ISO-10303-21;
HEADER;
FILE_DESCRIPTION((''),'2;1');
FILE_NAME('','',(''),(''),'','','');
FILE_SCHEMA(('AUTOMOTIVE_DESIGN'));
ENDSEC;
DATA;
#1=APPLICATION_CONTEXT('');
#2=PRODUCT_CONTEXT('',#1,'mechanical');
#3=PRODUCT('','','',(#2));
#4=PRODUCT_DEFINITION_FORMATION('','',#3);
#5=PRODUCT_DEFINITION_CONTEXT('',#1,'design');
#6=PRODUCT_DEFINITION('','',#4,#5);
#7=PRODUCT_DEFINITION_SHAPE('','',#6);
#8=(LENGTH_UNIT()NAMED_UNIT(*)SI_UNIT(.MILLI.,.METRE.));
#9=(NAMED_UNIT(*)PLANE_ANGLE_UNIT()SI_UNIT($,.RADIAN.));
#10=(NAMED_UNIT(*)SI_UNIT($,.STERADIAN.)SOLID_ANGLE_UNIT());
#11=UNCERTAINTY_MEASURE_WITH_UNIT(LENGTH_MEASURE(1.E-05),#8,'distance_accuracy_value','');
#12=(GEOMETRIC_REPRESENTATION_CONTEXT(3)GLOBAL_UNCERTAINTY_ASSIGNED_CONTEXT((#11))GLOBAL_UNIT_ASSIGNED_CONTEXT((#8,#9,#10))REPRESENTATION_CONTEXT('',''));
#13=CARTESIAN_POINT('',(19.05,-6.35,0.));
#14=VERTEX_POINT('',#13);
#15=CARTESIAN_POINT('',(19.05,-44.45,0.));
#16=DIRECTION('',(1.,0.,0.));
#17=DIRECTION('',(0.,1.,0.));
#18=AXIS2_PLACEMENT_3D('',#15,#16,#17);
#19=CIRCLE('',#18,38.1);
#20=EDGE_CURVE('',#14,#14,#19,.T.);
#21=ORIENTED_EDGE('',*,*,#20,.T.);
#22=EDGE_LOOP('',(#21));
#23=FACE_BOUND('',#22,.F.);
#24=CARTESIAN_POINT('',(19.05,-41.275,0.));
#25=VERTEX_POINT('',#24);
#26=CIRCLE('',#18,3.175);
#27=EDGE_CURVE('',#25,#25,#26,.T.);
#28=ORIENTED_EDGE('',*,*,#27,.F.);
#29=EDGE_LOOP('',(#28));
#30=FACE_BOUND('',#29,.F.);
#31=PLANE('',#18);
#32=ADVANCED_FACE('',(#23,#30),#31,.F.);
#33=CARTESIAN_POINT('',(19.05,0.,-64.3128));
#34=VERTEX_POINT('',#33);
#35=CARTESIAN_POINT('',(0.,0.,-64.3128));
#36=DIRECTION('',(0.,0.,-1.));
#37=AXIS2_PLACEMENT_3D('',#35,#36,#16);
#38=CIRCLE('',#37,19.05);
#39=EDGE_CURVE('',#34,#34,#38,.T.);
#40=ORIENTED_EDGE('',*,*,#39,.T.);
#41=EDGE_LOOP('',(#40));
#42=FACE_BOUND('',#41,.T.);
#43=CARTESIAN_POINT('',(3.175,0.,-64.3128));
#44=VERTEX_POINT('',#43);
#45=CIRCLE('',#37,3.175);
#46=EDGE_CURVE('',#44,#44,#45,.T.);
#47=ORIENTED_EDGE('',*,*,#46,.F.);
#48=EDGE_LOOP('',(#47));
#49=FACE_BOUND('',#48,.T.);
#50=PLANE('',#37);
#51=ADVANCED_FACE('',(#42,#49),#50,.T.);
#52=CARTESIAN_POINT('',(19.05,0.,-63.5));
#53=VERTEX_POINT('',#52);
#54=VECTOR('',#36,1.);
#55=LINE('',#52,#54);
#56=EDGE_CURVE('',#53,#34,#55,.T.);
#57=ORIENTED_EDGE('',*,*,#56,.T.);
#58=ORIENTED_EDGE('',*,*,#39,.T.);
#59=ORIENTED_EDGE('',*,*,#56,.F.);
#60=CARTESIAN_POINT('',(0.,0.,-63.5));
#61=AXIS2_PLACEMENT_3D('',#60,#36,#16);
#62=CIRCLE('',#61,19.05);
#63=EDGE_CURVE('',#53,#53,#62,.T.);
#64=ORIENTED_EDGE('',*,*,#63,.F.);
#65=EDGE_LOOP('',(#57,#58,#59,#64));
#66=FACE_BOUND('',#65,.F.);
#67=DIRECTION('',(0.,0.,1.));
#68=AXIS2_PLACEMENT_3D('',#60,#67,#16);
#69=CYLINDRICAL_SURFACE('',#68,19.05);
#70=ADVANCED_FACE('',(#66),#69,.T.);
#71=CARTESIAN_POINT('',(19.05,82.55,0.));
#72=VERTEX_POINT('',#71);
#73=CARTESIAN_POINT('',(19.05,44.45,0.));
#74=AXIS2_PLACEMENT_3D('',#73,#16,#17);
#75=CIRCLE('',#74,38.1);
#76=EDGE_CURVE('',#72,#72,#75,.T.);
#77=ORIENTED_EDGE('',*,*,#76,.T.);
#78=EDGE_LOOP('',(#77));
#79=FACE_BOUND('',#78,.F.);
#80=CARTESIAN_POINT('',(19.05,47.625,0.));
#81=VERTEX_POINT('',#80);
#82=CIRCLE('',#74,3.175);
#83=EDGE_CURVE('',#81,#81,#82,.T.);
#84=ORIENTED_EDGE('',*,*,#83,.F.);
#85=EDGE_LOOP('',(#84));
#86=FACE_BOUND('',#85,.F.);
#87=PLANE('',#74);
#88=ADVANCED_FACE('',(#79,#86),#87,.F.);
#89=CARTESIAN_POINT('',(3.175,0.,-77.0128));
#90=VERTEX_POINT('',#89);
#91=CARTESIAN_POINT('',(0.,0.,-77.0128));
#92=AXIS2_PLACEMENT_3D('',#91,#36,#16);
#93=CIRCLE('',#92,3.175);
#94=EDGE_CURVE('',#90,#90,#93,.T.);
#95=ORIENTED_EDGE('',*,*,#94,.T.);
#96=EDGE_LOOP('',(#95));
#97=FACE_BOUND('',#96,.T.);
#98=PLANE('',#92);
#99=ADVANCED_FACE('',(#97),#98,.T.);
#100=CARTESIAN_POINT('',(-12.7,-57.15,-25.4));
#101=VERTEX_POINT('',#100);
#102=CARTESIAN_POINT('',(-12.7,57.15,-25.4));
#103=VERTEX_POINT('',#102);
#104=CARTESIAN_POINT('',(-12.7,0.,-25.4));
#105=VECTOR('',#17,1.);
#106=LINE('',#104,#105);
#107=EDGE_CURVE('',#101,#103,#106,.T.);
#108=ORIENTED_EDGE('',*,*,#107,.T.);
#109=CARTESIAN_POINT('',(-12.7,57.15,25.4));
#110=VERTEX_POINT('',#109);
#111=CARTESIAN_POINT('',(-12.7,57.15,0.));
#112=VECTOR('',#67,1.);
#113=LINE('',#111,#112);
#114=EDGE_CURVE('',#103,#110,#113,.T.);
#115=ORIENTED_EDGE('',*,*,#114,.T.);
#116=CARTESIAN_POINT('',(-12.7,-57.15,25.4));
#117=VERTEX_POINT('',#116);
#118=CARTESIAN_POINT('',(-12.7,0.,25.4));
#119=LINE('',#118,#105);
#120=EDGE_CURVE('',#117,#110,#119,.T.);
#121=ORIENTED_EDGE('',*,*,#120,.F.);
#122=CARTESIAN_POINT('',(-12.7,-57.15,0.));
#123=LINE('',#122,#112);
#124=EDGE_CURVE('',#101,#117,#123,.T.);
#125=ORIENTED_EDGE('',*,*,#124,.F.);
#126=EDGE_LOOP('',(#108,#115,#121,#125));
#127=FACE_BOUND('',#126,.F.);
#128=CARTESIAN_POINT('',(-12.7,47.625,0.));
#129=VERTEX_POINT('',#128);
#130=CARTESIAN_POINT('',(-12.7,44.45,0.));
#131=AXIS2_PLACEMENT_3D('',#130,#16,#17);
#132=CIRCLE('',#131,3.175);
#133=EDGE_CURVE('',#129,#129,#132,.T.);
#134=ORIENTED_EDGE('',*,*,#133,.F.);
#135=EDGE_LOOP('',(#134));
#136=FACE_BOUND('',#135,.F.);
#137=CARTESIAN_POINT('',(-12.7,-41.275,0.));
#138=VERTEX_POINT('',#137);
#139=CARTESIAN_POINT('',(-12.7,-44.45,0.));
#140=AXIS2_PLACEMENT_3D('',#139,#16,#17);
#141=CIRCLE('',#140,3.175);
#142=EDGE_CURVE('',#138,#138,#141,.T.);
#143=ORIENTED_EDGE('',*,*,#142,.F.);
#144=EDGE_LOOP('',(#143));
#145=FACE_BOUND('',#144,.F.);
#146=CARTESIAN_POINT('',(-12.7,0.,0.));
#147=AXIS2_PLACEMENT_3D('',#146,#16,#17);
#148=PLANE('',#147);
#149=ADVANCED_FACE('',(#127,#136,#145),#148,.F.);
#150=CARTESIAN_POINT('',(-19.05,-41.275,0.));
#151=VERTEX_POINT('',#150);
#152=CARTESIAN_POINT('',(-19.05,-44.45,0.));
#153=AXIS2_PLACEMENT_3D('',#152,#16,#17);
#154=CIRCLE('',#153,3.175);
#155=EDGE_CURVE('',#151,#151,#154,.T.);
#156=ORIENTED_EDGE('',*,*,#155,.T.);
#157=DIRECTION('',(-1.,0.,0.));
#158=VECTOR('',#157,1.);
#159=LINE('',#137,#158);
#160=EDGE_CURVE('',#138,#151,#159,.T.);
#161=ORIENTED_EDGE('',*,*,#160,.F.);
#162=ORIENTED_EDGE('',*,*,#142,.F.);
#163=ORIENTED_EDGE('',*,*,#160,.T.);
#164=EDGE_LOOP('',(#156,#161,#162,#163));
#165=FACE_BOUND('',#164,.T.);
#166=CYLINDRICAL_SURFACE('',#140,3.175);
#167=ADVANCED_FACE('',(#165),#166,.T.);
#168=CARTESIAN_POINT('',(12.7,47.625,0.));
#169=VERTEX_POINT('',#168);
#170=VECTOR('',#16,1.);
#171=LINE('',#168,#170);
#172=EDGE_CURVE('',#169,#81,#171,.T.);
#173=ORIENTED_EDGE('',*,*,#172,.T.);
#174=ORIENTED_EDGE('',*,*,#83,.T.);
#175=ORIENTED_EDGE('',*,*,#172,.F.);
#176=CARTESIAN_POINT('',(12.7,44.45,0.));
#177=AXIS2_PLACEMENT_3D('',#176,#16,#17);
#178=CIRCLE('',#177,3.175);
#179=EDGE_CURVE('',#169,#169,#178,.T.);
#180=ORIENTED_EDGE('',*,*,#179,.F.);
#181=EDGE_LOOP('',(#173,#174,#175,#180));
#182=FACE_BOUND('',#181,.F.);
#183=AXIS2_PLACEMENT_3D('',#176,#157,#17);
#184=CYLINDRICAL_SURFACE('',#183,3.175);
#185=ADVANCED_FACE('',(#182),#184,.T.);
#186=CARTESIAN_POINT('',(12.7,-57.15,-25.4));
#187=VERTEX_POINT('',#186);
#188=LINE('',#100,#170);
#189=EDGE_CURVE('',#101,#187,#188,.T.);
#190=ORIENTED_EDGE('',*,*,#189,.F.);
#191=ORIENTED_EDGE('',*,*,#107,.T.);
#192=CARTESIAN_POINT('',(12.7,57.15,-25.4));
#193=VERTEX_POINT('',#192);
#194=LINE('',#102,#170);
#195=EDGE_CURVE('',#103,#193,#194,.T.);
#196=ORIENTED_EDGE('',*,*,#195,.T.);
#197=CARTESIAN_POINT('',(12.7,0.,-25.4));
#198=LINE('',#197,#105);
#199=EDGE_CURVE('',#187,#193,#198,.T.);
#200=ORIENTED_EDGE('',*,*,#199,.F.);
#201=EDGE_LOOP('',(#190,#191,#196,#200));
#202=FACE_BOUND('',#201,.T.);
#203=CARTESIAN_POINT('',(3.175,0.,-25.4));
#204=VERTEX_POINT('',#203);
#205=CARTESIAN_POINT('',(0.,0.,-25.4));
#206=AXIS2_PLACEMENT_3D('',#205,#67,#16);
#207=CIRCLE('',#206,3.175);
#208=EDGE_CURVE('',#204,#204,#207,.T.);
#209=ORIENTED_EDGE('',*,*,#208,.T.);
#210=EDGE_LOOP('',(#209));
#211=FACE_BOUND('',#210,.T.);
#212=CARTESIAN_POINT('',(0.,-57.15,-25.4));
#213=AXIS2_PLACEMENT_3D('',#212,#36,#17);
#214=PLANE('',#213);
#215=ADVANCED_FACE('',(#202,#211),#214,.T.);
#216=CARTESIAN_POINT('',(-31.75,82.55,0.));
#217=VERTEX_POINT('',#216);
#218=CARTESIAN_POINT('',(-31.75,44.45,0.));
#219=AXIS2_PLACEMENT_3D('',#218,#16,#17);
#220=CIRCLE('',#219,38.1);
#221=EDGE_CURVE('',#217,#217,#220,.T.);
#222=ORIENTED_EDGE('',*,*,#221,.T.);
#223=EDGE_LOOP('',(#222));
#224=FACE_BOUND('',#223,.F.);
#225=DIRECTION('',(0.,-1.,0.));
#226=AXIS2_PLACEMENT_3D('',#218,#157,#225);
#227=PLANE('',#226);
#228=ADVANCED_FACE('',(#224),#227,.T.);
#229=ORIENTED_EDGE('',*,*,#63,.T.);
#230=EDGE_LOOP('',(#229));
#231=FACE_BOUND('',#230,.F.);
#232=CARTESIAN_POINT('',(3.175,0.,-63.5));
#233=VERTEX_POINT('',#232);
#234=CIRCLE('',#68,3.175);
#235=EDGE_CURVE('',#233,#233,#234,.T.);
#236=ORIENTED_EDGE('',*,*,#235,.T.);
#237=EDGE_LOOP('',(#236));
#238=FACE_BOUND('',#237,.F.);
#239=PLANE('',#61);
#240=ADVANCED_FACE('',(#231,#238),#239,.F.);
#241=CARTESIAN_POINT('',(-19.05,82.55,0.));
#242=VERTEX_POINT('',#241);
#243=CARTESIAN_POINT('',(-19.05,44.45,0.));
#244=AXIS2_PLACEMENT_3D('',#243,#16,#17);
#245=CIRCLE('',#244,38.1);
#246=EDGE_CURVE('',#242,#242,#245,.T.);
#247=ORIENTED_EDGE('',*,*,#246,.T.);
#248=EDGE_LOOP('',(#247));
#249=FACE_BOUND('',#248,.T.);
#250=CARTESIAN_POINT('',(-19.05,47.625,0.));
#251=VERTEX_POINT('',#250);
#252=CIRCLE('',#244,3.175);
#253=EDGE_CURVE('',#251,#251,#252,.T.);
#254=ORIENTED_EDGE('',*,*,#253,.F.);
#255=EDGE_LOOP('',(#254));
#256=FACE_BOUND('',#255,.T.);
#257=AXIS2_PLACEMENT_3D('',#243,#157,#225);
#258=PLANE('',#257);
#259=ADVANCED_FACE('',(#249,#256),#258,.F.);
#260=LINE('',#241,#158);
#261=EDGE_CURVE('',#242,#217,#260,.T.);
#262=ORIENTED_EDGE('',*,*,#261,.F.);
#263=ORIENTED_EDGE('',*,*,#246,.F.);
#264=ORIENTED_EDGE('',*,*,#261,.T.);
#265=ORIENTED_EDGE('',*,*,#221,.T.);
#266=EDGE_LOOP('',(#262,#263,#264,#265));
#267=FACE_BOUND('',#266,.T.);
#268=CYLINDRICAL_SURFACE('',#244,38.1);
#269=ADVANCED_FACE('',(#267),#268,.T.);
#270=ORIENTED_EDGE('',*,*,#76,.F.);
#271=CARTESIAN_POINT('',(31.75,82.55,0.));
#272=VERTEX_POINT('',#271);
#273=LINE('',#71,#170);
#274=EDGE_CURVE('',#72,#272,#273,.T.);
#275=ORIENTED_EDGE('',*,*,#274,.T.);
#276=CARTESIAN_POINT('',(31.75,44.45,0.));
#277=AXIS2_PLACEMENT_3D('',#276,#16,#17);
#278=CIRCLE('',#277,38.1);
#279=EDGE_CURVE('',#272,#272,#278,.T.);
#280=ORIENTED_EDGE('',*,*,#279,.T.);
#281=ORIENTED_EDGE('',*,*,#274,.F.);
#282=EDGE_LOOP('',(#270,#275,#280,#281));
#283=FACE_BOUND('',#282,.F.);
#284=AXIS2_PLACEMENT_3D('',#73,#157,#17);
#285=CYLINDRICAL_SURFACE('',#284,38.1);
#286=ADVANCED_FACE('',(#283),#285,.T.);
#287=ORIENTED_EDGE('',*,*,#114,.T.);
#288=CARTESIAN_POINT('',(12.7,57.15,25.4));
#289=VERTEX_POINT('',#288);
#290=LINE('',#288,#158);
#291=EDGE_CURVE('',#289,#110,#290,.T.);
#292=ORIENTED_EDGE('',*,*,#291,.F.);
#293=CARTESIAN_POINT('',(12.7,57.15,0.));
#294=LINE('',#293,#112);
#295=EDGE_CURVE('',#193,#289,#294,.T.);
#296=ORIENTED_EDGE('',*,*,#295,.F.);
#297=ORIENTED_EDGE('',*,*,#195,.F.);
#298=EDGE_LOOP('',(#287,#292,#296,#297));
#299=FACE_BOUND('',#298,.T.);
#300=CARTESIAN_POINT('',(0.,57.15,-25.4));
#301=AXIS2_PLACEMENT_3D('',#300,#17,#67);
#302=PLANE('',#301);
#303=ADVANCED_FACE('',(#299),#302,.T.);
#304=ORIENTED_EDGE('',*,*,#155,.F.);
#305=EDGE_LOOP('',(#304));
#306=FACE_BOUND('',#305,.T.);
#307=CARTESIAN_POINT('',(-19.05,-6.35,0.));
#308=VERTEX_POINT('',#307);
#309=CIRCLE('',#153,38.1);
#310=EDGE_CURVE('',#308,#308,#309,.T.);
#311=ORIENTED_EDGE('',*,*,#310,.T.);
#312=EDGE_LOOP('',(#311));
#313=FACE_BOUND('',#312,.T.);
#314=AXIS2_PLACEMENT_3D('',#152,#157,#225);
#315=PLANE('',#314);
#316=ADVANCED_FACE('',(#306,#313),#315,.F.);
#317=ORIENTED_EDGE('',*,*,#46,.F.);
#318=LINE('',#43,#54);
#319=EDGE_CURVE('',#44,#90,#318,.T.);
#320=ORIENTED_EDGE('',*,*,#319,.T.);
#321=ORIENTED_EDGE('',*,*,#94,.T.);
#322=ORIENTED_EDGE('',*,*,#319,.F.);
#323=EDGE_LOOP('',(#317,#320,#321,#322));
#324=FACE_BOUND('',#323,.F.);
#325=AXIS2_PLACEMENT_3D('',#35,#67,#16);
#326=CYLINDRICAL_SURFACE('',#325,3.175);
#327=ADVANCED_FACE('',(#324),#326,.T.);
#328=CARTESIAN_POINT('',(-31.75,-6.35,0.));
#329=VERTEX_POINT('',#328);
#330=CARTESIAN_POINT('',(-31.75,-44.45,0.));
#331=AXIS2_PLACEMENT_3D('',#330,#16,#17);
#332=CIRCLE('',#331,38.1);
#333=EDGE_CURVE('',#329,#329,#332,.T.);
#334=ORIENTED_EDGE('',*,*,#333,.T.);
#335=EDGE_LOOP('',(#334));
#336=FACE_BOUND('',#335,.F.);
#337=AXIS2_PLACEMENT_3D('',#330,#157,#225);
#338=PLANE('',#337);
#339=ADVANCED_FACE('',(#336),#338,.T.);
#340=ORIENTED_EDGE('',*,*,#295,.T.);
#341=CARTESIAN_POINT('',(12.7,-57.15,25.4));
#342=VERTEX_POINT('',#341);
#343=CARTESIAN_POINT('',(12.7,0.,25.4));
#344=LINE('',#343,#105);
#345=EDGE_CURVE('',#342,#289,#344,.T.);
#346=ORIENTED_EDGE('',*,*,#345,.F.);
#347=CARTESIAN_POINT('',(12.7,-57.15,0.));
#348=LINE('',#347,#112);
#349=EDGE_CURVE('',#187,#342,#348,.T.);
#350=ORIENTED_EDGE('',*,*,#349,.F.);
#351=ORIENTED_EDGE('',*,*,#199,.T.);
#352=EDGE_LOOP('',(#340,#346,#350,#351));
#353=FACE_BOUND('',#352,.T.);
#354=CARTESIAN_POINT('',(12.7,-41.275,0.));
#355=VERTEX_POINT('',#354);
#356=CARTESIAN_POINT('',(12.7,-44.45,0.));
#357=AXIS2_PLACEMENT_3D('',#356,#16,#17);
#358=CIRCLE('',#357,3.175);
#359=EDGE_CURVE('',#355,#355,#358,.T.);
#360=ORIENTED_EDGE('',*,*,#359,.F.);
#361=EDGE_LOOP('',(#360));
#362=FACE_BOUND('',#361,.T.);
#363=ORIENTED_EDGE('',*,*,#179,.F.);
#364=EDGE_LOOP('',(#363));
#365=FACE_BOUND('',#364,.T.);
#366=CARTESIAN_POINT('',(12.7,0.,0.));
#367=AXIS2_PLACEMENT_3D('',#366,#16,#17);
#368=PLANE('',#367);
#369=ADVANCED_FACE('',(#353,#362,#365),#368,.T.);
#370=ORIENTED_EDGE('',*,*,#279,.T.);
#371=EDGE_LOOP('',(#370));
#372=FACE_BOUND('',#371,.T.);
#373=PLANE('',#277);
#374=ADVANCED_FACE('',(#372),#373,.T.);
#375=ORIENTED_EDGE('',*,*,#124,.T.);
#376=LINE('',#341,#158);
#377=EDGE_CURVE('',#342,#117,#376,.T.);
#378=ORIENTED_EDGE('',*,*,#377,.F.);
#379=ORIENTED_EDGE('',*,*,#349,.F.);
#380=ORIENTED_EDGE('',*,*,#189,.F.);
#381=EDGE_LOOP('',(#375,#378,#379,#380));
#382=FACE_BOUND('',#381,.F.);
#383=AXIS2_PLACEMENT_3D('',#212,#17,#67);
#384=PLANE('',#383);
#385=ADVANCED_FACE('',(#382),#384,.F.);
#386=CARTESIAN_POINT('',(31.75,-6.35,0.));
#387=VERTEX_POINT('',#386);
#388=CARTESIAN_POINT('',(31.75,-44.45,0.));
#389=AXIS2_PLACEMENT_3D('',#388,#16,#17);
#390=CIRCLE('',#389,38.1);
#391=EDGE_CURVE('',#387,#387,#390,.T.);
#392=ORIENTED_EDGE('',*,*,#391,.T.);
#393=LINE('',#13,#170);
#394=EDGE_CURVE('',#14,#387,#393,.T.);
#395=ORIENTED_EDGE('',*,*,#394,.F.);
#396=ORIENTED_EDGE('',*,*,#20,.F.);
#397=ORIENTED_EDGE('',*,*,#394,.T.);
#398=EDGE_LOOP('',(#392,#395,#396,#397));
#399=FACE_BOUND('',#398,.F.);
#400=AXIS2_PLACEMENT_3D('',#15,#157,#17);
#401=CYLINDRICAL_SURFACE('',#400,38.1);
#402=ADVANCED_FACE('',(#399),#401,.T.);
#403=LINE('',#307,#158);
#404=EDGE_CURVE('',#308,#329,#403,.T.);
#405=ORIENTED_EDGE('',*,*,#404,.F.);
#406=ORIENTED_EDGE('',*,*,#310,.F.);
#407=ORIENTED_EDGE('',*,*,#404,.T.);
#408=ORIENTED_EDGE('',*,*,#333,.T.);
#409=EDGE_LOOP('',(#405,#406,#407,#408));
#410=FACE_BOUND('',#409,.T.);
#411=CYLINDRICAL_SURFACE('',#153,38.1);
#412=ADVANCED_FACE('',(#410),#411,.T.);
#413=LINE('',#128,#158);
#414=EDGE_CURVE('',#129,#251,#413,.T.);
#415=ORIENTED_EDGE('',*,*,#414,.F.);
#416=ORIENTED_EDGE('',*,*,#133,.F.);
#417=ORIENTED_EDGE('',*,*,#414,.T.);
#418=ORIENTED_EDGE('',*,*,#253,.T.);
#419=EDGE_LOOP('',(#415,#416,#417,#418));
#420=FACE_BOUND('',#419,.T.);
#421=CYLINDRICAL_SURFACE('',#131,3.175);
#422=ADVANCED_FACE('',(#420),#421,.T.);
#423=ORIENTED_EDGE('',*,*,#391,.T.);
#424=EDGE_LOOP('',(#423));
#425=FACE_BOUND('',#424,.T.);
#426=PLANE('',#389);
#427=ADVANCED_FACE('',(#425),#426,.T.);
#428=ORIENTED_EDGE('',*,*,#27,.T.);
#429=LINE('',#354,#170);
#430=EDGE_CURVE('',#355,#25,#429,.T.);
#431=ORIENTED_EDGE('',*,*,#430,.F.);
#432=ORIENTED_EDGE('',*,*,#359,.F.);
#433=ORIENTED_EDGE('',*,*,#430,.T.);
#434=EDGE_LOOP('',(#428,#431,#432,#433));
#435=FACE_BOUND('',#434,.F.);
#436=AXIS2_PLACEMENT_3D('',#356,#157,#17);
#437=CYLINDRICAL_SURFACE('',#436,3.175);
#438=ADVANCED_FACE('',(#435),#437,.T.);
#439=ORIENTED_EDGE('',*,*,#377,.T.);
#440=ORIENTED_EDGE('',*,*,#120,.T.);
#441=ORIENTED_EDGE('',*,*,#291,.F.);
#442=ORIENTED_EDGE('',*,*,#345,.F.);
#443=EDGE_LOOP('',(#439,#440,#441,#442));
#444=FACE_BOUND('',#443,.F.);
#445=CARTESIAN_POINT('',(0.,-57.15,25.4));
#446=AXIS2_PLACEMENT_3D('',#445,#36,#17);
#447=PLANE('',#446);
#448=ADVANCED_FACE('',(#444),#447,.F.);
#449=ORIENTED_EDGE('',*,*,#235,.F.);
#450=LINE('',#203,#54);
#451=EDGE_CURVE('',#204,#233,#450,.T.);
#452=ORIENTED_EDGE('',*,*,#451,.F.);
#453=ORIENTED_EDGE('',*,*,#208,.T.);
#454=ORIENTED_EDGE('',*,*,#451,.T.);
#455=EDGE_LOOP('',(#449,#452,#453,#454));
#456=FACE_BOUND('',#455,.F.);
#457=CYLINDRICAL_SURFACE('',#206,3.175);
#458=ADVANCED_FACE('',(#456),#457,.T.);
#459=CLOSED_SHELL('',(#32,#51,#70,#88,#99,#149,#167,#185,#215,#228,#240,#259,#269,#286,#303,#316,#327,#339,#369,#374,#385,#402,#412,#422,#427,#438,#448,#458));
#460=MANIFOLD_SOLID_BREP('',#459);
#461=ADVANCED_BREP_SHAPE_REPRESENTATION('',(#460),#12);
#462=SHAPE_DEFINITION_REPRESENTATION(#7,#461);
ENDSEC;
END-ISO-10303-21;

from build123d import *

# Parameters (mm, degrees)
F0_W      = 114.3
F0_H      = 50.8
F1_DEPTH  = 12.7
F2_R      = 3.175
F3_DEPTH  = 38.1
F4_R      = 3.175
F5_DEPTH  = 6.35
F6_R      = 38.1
F7_DEPTH  = 12.7
F9_R      = 19.05
F10_DEPTH = 0.8128
F11_R     = 3.175
F12_DEPTH = 12.7


with BuildPart() as f1:
    # F0 (on Right) → F1 (new body, symmetric)
    with BuildSketch(Plane.YZ):
        Rectangle(F0_W, F0_H)
    extrude(amount=F1_DEPTH, both=True)

    # F2 (on face) → F3 (join)
    with BuildSketch(Plane(origin=(0, 0, -25.4), x_dir=(1, 0, 0), z_dir=(0, 0, -1))):
        Circle(F2_R)
    extrude(amount=F3_DEPTH)

    # F4 (on face) → F5 (join)
    with BuildSketch(Plane.YZ.offset(12.7)):
        with Locations((-44.45, 0)):
            Circle(F4_R)
        with Locations((44.45, 0)):
            Circle(F4_R)
    extrude(amount=F5_DEPTH)

    # F6 (on face) → F7 (join)
    with BuildSketch(Plane.YZ.offset(19.05)):
        with Locations((-44.45, 0)):
            Circle(F6_R)
        with Locations((44.45, 0)):
            Circle(F6_R)
    extrude(amount=F7_DEPTH)

    # F8: F1 across plane


with BuildPart() as f1_1:
    add(f1.part)
    add(f1.part.mirror(Plane.YZ))

    # F9 (on face) → F10 (join)
    with BuildSketch(Plane(origin=(0, 0, -63.5), x_dir=(1, 0, 0), z_dir=(0, 0, -1))):
        Circle(F9_R)
    extrude(amount=F10_DEPTH)

    # F11 (on face) → F12 (join)
    with BuildSketch(Plane(origin=(0, 0, -64.3128), x_dir=(1, 0, 0), z_dir=(0, 0, -1))):
        Circle(F11_R)
    extrude(amount=F12_DEPTH)


solid = f1_1.part
